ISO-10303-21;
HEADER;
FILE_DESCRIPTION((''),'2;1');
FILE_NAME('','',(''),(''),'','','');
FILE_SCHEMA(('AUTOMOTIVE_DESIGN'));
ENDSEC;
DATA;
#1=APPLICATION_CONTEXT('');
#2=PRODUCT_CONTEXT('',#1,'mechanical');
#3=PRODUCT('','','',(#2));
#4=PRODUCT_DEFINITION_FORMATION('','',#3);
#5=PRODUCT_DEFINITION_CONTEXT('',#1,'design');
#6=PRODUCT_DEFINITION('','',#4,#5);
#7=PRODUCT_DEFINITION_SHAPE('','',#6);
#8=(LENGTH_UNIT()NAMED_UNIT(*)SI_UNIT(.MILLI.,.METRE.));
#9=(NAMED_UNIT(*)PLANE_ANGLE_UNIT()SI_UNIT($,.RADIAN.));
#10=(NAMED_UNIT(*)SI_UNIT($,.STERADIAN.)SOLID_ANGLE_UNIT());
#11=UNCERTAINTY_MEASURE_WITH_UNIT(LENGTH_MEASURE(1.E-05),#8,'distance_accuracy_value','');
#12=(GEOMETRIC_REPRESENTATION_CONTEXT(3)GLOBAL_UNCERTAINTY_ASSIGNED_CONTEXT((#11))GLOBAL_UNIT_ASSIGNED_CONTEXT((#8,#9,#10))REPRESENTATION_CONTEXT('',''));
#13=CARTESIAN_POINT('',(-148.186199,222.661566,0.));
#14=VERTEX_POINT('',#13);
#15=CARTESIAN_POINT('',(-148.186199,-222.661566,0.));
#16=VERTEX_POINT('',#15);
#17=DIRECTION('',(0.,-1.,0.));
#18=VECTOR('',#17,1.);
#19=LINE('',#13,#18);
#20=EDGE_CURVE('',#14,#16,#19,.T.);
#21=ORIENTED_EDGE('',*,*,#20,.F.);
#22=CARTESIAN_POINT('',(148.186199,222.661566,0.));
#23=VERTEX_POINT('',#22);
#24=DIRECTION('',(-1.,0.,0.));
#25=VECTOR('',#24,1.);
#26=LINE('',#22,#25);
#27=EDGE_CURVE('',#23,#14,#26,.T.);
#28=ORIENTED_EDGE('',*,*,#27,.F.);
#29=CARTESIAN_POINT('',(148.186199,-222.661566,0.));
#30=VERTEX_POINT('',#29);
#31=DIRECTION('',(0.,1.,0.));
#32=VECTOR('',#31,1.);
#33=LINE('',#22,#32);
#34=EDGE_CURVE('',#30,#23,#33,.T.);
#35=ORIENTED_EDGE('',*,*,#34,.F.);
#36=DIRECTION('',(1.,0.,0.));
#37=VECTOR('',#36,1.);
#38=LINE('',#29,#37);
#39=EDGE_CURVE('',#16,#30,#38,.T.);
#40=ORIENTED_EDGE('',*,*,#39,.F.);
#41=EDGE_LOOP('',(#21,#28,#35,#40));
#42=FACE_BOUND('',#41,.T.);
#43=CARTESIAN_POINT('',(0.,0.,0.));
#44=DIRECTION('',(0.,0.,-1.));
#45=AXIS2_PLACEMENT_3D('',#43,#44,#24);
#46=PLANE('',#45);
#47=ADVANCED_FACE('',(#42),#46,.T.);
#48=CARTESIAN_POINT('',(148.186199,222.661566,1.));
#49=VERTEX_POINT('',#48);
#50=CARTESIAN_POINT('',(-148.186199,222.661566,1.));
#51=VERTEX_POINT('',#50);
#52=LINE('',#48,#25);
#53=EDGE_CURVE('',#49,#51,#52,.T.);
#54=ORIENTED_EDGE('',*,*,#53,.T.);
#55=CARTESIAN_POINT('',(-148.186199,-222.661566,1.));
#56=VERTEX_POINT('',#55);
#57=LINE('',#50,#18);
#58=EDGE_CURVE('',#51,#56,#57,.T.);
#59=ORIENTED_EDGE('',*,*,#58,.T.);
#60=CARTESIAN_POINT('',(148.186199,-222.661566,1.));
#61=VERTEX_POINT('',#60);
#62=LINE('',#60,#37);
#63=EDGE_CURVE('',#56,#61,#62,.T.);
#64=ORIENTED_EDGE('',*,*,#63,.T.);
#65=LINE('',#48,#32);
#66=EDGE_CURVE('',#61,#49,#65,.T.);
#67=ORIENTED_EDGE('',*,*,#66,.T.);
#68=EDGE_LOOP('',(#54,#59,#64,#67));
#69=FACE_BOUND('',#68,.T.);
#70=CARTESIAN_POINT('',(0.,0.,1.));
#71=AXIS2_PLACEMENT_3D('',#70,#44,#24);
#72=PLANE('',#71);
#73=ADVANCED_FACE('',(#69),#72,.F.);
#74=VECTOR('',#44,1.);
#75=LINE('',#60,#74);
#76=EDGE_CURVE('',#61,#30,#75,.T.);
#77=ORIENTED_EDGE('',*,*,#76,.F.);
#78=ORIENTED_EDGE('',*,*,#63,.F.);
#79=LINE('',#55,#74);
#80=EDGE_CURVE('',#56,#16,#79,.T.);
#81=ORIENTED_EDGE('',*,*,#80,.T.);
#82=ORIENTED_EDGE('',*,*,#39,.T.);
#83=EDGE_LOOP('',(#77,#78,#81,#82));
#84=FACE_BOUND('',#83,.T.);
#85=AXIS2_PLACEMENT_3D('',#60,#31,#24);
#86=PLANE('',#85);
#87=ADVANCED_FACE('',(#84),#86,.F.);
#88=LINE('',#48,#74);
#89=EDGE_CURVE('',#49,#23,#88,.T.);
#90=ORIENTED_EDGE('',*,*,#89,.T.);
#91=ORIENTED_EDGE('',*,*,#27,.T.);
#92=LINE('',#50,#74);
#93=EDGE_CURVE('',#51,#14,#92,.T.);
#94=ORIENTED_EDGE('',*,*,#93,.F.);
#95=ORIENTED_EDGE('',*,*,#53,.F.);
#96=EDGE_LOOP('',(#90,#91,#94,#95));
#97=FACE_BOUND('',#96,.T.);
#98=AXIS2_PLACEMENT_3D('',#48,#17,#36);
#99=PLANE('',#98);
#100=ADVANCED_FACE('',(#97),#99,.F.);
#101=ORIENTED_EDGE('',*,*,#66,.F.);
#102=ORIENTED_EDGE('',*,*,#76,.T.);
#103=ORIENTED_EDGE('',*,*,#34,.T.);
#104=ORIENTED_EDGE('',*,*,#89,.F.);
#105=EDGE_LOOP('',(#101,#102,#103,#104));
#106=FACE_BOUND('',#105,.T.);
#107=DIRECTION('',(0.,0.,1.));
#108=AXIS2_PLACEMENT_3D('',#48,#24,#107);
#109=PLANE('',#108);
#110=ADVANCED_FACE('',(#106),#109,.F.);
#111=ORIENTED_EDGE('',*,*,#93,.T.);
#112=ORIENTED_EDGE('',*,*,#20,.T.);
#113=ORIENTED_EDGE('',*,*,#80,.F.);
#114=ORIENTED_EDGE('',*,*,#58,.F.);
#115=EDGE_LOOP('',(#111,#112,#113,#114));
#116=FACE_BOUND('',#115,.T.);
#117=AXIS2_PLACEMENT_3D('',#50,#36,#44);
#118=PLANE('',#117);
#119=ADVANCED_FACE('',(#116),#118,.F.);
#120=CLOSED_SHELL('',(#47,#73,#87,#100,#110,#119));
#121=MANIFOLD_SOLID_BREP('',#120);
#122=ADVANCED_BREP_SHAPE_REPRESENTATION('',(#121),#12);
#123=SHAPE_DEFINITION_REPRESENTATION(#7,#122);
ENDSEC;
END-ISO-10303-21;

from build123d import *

# Parameters (mm, degrees)
ESQUISSE1_W        = 296.372398104
ESQUISSE1_H        = 445.323132384
BOSS_EXTRU_1_DEPTH = 1


with BuildPart() as part:
    # Esquisse1 → Boss.-Extru.1 (new body)
    with BuildSketch(Plane.XY):
        Rectangle(ESQUISSE1_W, ESQUISSE1_H)
    extrude(amount=BOSS_EXTRU_1_DEPTH)


solid = part.part
